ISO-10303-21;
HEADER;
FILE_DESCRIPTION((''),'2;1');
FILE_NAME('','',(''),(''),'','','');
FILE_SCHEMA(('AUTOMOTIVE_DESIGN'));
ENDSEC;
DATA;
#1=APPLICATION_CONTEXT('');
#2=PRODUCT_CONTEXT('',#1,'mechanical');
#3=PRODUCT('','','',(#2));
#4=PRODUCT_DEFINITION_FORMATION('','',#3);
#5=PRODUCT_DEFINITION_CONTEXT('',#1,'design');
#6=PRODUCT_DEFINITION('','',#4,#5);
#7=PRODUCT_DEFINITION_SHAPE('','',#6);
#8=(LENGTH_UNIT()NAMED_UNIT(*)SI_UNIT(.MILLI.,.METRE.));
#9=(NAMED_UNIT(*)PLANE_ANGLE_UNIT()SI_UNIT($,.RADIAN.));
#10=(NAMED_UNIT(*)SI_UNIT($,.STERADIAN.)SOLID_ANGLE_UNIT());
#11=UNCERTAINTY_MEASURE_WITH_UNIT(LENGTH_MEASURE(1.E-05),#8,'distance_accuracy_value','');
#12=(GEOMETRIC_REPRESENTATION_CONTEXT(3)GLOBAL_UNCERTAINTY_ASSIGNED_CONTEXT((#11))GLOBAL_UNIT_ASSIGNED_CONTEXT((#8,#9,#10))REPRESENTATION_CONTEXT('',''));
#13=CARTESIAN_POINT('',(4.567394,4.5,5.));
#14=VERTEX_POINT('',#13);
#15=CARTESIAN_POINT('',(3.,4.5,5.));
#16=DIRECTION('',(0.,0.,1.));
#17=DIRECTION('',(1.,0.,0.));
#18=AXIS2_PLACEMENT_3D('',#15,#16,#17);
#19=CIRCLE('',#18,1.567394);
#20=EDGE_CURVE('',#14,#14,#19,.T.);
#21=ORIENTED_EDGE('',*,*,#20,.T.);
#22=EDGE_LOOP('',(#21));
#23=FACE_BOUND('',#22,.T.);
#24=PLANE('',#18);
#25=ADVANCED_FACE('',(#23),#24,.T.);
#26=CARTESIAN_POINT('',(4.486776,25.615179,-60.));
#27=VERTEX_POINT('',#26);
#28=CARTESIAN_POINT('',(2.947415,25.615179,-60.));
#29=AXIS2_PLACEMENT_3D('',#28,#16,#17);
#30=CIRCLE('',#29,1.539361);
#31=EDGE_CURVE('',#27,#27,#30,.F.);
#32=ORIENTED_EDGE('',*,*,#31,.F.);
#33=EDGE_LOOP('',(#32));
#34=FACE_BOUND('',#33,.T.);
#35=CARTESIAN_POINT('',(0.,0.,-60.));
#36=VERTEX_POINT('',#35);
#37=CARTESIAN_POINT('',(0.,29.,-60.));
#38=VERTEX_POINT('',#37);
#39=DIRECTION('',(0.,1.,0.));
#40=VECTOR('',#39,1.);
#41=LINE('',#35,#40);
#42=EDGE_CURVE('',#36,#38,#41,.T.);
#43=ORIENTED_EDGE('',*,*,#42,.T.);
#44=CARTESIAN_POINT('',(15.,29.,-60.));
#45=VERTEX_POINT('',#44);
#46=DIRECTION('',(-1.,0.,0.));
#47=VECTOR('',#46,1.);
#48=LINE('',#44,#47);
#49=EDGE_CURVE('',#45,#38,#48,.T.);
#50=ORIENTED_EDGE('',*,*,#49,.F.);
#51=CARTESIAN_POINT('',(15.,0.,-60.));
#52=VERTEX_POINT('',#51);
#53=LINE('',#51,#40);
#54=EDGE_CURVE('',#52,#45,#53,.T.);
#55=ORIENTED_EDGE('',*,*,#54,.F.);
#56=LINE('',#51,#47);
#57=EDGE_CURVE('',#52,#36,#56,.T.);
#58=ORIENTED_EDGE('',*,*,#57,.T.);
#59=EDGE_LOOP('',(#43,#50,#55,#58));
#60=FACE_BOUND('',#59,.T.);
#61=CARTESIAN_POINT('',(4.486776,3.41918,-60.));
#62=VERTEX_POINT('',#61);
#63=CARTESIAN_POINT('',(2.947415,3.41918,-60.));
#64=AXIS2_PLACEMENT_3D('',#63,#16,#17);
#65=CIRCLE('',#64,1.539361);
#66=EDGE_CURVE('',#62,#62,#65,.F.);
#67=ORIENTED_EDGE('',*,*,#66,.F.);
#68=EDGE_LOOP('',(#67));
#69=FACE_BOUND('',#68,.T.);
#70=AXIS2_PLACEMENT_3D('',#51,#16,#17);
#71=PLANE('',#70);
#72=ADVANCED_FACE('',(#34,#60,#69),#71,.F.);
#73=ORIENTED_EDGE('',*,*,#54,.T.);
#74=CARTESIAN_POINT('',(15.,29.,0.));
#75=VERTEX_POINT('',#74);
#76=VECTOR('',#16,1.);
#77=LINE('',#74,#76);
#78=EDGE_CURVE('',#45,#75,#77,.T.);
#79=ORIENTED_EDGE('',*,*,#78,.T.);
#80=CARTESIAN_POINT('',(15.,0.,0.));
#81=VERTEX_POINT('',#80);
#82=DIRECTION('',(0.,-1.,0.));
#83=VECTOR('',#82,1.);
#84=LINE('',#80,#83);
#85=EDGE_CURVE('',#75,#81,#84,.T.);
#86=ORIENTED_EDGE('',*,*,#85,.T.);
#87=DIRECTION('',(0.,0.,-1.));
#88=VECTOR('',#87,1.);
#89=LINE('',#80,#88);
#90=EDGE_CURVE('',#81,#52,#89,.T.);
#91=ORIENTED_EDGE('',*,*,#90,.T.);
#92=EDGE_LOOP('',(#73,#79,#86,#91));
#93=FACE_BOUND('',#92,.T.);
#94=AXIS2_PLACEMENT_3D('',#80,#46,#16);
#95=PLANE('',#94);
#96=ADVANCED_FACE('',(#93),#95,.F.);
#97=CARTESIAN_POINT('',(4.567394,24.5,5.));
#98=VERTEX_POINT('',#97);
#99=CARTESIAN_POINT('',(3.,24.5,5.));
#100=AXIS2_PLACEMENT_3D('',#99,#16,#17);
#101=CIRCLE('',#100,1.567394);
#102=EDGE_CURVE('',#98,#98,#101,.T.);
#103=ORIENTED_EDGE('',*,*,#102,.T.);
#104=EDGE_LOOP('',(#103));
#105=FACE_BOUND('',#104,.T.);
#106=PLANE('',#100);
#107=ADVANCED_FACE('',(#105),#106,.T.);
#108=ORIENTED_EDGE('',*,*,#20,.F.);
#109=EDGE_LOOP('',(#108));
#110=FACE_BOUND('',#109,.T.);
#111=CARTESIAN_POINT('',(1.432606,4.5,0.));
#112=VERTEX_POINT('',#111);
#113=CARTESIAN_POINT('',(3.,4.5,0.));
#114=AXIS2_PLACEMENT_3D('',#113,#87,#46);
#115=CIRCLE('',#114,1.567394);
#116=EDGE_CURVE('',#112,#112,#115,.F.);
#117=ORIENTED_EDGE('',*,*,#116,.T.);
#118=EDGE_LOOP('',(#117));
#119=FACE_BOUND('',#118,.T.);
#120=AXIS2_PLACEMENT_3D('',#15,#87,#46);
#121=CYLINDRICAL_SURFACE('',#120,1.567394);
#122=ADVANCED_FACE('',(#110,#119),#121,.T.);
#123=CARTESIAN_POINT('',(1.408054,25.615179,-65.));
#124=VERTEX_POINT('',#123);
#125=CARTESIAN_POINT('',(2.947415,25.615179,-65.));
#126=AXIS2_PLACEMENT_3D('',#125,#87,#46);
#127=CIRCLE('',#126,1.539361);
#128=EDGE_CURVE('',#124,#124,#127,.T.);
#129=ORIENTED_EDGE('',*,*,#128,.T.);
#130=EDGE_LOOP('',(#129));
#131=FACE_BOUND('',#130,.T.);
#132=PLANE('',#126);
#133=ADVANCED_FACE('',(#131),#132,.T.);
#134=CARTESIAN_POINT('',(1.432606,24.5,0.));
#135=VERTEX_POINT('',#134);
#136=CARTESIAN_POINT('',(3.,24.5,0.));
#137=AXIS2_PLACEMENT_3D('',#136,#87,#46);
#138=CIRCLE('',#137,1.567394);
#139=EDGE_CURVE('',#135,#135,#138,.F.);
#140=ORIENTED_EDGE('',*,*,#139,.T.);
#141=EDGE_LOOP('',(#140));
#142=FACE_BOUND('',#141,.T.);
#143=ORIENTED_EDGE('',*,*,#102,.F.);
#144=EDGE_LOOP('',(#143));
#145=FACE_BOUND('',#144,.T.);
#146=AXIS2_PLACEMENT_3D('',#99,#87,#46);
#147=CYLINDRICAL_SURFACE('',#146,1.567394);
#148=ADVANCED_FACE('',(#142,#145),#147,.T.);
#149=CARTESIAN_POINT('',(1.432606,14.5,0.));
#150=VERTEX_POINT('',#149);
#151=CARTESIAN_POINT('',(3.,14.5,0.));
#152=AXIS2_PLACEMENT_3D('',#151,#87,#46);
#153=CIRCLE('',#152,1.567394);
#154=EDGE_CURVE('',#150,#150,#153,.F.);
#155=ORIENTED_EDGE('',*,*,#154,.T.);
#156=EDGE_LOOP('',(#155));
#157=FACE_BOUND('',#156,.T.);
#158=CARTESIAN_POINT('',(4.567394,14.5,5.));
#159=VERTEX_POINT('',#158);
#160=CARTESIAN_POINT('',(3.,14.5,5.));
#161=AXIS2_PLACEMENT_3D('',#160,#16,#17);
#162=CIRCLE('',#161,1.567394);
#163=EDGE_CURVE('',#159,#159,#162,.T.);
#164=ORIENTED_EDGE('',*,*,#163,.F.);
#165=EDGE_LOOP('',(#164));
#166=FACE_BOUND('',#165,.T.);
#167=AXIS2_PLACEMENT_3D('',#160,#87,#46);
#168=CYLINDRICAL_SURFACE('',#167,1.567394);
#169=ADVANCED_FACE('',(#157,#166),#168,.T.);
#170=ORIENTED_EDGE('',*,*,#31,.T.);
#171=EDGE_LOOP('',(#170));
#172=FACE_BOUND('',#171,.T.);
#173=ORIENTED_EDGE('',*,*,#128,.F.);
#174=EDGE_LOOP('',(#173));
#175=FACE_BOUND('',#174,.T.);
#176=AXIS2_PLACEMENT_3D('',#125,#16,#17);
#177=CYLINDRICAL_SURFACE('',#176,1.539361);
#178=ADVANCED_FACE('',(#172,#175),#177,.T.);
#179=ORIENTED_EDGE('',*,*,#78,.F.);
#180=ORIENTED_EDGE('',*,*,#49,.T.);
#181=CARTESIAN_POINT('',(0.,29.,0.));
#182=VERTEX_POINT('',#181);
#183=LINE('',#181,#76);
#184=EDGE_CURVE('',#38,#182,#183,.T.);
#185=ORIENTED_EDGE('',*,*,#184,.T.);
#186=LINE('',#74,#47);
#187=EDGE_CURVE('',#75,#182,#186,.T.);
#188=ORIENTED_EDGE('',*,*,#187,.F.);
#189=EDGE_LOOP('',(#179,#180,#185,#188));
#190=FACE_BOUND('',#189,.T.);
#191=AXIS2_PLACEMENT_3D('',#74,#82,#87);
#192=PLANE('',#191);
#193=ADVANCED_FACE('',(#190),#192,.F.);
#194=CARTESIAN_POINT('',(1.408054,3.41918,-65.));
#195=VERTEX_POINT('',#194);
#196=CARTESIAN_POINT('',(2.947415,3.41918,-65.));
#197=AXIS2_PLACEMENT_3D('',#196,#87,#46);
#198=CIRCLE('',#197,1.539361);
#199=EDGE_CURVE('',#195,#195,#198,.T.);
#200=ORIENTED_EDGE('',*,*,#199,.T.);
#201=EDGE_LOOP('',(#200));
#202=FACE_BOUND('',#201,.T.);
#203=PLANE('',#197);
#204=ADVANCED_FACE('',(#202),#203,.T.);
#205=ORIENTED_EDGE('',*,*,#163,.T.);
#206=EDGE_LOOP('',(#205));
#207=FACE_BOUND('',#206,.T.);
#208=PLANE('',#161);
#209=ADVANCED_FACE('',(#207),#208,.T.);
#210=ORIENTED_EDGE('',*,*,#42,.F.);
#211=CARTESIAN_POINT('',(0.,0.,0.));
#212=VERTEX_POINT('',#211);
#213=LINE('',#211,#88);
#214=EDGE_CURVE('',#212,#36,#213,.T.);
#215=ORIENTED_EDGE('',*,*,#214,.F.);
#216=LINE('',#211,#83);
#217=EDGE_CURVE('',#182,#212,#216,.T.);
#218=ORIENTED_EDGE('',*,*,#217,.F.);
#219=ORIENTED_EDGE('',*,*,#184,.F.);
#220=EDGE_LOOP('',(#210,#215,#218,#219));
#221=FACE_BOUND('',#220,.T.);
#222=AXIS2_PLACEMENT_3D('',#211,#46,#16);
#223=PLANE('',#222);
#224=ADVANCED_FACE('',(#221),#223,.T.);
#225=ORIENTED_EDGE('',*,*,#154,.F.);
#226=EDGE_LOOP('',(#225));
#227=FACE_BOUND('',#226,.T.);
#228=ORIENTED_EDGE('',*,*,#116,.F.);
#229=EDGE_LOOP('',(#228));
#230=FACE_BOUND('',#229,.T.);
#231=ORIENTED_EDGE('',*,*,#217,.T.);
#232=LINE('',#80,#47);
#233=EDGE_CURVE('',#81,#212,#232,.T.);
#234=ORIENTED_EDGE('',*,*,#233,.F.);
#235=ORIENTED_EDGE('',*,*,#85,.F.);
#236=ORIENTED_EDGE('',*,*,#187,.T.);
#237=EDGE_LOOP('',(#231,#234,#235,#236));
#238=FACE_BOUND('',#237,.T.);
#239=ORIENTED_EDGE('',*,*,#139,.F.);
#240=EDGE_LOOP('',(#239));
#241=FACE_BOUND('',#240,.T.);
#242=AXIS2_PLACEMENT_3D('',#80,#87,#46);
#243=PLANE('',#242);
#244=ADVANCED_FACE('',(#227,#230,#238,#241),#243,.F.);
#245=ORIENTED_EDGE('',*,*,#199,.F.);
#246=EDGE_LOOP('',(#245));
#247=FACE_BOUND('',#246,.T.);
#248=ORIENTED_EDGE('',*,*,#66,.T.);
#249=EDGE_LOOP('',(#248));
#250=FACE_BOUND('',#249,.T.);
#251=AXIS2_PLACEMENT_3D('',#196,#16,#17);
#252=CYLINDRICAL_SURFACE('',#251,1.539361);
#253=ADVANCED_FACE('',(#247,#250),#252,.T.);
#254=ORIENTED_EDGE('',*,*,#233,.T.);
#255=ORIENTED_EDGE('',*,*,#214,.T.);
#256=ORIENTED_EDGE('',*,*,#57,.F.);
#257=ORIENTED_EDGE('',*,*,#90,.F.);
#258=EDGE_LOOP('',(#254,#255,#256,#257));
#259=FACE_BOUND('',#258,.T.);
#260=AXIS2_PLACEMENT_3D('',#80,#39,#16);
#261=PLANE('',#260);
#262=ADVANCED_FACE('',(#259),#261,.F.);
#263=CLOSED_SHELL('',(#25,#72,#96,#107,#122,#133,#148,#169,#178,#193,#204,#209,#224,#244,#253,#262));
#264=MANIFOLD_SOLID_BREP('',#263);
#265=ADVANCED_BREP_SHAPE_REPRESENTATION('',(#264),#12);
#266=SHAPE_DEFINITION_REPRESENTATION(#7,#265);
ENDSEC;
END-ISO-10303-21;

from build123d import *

# Parameters (mm, degrees)
SKETCH1_W           = 60
SKETCH1_H           = 29
BOSS_EXTRUDE1_DEPTH = 15
SKETCH2_R           = 1.567394172
BOSS_EXTRUDE2_DEPTH = 5
SKETCH3_R           = 1.539361
BOSS_EXTRUDE3_DEPTH = 5


with BuildPart() as part:
    # Sketch1 → Boss-Extrude1 (new body)
    with BuildSketch(Plane(origin=(0, 0, 0), x_dir=(0, 0, -1), z_dir=(1, 0, 0))):
        with Locations((30, 14.5)):
            Rectangle(SKETCH1_W, SKETCH1_H)
    extrude(amount=BOSS_EXTRUDE1_DEPTH)

    # Sketch2 → Boss-Extrude2 (add)
    with BuildSketch(Plane.XY):
        with Locations(Location((3, 24.5, 0), (0, 0, 180))):
            Circle(SKETCH2_R)
        with Locations(Location((3, 14.5, 0), (0, 0, 180))):
            Circle(SKETCH2_R)
        with Locations(Location((3, 4.5, 0), (0, 0, 180))):
            Circle(SKETCH2_R)
    extrude(amount=BOSS_EXTRUDE2_DEPTH)

    # Sketch3 → Boss-Extrude3 (add)
    with BuildSketch(Plane(origin=(0, 0, -60), x_dir=(-1, 0, 0), z_dir=(0, 0, -1))):
        with Locations(Location((-2.947414971, 25.615179296, 0), (0, 0, 180))):
            Circle(SKETCH3_R)
        with Locations(Location((-2.947414971, 3.419179836, 0), (0, 0, 180))):
            Circle(SKETCH3_R)
    extrude(amount=BOSS_EXTRUDE3_DEPTH)


solid = part.part
